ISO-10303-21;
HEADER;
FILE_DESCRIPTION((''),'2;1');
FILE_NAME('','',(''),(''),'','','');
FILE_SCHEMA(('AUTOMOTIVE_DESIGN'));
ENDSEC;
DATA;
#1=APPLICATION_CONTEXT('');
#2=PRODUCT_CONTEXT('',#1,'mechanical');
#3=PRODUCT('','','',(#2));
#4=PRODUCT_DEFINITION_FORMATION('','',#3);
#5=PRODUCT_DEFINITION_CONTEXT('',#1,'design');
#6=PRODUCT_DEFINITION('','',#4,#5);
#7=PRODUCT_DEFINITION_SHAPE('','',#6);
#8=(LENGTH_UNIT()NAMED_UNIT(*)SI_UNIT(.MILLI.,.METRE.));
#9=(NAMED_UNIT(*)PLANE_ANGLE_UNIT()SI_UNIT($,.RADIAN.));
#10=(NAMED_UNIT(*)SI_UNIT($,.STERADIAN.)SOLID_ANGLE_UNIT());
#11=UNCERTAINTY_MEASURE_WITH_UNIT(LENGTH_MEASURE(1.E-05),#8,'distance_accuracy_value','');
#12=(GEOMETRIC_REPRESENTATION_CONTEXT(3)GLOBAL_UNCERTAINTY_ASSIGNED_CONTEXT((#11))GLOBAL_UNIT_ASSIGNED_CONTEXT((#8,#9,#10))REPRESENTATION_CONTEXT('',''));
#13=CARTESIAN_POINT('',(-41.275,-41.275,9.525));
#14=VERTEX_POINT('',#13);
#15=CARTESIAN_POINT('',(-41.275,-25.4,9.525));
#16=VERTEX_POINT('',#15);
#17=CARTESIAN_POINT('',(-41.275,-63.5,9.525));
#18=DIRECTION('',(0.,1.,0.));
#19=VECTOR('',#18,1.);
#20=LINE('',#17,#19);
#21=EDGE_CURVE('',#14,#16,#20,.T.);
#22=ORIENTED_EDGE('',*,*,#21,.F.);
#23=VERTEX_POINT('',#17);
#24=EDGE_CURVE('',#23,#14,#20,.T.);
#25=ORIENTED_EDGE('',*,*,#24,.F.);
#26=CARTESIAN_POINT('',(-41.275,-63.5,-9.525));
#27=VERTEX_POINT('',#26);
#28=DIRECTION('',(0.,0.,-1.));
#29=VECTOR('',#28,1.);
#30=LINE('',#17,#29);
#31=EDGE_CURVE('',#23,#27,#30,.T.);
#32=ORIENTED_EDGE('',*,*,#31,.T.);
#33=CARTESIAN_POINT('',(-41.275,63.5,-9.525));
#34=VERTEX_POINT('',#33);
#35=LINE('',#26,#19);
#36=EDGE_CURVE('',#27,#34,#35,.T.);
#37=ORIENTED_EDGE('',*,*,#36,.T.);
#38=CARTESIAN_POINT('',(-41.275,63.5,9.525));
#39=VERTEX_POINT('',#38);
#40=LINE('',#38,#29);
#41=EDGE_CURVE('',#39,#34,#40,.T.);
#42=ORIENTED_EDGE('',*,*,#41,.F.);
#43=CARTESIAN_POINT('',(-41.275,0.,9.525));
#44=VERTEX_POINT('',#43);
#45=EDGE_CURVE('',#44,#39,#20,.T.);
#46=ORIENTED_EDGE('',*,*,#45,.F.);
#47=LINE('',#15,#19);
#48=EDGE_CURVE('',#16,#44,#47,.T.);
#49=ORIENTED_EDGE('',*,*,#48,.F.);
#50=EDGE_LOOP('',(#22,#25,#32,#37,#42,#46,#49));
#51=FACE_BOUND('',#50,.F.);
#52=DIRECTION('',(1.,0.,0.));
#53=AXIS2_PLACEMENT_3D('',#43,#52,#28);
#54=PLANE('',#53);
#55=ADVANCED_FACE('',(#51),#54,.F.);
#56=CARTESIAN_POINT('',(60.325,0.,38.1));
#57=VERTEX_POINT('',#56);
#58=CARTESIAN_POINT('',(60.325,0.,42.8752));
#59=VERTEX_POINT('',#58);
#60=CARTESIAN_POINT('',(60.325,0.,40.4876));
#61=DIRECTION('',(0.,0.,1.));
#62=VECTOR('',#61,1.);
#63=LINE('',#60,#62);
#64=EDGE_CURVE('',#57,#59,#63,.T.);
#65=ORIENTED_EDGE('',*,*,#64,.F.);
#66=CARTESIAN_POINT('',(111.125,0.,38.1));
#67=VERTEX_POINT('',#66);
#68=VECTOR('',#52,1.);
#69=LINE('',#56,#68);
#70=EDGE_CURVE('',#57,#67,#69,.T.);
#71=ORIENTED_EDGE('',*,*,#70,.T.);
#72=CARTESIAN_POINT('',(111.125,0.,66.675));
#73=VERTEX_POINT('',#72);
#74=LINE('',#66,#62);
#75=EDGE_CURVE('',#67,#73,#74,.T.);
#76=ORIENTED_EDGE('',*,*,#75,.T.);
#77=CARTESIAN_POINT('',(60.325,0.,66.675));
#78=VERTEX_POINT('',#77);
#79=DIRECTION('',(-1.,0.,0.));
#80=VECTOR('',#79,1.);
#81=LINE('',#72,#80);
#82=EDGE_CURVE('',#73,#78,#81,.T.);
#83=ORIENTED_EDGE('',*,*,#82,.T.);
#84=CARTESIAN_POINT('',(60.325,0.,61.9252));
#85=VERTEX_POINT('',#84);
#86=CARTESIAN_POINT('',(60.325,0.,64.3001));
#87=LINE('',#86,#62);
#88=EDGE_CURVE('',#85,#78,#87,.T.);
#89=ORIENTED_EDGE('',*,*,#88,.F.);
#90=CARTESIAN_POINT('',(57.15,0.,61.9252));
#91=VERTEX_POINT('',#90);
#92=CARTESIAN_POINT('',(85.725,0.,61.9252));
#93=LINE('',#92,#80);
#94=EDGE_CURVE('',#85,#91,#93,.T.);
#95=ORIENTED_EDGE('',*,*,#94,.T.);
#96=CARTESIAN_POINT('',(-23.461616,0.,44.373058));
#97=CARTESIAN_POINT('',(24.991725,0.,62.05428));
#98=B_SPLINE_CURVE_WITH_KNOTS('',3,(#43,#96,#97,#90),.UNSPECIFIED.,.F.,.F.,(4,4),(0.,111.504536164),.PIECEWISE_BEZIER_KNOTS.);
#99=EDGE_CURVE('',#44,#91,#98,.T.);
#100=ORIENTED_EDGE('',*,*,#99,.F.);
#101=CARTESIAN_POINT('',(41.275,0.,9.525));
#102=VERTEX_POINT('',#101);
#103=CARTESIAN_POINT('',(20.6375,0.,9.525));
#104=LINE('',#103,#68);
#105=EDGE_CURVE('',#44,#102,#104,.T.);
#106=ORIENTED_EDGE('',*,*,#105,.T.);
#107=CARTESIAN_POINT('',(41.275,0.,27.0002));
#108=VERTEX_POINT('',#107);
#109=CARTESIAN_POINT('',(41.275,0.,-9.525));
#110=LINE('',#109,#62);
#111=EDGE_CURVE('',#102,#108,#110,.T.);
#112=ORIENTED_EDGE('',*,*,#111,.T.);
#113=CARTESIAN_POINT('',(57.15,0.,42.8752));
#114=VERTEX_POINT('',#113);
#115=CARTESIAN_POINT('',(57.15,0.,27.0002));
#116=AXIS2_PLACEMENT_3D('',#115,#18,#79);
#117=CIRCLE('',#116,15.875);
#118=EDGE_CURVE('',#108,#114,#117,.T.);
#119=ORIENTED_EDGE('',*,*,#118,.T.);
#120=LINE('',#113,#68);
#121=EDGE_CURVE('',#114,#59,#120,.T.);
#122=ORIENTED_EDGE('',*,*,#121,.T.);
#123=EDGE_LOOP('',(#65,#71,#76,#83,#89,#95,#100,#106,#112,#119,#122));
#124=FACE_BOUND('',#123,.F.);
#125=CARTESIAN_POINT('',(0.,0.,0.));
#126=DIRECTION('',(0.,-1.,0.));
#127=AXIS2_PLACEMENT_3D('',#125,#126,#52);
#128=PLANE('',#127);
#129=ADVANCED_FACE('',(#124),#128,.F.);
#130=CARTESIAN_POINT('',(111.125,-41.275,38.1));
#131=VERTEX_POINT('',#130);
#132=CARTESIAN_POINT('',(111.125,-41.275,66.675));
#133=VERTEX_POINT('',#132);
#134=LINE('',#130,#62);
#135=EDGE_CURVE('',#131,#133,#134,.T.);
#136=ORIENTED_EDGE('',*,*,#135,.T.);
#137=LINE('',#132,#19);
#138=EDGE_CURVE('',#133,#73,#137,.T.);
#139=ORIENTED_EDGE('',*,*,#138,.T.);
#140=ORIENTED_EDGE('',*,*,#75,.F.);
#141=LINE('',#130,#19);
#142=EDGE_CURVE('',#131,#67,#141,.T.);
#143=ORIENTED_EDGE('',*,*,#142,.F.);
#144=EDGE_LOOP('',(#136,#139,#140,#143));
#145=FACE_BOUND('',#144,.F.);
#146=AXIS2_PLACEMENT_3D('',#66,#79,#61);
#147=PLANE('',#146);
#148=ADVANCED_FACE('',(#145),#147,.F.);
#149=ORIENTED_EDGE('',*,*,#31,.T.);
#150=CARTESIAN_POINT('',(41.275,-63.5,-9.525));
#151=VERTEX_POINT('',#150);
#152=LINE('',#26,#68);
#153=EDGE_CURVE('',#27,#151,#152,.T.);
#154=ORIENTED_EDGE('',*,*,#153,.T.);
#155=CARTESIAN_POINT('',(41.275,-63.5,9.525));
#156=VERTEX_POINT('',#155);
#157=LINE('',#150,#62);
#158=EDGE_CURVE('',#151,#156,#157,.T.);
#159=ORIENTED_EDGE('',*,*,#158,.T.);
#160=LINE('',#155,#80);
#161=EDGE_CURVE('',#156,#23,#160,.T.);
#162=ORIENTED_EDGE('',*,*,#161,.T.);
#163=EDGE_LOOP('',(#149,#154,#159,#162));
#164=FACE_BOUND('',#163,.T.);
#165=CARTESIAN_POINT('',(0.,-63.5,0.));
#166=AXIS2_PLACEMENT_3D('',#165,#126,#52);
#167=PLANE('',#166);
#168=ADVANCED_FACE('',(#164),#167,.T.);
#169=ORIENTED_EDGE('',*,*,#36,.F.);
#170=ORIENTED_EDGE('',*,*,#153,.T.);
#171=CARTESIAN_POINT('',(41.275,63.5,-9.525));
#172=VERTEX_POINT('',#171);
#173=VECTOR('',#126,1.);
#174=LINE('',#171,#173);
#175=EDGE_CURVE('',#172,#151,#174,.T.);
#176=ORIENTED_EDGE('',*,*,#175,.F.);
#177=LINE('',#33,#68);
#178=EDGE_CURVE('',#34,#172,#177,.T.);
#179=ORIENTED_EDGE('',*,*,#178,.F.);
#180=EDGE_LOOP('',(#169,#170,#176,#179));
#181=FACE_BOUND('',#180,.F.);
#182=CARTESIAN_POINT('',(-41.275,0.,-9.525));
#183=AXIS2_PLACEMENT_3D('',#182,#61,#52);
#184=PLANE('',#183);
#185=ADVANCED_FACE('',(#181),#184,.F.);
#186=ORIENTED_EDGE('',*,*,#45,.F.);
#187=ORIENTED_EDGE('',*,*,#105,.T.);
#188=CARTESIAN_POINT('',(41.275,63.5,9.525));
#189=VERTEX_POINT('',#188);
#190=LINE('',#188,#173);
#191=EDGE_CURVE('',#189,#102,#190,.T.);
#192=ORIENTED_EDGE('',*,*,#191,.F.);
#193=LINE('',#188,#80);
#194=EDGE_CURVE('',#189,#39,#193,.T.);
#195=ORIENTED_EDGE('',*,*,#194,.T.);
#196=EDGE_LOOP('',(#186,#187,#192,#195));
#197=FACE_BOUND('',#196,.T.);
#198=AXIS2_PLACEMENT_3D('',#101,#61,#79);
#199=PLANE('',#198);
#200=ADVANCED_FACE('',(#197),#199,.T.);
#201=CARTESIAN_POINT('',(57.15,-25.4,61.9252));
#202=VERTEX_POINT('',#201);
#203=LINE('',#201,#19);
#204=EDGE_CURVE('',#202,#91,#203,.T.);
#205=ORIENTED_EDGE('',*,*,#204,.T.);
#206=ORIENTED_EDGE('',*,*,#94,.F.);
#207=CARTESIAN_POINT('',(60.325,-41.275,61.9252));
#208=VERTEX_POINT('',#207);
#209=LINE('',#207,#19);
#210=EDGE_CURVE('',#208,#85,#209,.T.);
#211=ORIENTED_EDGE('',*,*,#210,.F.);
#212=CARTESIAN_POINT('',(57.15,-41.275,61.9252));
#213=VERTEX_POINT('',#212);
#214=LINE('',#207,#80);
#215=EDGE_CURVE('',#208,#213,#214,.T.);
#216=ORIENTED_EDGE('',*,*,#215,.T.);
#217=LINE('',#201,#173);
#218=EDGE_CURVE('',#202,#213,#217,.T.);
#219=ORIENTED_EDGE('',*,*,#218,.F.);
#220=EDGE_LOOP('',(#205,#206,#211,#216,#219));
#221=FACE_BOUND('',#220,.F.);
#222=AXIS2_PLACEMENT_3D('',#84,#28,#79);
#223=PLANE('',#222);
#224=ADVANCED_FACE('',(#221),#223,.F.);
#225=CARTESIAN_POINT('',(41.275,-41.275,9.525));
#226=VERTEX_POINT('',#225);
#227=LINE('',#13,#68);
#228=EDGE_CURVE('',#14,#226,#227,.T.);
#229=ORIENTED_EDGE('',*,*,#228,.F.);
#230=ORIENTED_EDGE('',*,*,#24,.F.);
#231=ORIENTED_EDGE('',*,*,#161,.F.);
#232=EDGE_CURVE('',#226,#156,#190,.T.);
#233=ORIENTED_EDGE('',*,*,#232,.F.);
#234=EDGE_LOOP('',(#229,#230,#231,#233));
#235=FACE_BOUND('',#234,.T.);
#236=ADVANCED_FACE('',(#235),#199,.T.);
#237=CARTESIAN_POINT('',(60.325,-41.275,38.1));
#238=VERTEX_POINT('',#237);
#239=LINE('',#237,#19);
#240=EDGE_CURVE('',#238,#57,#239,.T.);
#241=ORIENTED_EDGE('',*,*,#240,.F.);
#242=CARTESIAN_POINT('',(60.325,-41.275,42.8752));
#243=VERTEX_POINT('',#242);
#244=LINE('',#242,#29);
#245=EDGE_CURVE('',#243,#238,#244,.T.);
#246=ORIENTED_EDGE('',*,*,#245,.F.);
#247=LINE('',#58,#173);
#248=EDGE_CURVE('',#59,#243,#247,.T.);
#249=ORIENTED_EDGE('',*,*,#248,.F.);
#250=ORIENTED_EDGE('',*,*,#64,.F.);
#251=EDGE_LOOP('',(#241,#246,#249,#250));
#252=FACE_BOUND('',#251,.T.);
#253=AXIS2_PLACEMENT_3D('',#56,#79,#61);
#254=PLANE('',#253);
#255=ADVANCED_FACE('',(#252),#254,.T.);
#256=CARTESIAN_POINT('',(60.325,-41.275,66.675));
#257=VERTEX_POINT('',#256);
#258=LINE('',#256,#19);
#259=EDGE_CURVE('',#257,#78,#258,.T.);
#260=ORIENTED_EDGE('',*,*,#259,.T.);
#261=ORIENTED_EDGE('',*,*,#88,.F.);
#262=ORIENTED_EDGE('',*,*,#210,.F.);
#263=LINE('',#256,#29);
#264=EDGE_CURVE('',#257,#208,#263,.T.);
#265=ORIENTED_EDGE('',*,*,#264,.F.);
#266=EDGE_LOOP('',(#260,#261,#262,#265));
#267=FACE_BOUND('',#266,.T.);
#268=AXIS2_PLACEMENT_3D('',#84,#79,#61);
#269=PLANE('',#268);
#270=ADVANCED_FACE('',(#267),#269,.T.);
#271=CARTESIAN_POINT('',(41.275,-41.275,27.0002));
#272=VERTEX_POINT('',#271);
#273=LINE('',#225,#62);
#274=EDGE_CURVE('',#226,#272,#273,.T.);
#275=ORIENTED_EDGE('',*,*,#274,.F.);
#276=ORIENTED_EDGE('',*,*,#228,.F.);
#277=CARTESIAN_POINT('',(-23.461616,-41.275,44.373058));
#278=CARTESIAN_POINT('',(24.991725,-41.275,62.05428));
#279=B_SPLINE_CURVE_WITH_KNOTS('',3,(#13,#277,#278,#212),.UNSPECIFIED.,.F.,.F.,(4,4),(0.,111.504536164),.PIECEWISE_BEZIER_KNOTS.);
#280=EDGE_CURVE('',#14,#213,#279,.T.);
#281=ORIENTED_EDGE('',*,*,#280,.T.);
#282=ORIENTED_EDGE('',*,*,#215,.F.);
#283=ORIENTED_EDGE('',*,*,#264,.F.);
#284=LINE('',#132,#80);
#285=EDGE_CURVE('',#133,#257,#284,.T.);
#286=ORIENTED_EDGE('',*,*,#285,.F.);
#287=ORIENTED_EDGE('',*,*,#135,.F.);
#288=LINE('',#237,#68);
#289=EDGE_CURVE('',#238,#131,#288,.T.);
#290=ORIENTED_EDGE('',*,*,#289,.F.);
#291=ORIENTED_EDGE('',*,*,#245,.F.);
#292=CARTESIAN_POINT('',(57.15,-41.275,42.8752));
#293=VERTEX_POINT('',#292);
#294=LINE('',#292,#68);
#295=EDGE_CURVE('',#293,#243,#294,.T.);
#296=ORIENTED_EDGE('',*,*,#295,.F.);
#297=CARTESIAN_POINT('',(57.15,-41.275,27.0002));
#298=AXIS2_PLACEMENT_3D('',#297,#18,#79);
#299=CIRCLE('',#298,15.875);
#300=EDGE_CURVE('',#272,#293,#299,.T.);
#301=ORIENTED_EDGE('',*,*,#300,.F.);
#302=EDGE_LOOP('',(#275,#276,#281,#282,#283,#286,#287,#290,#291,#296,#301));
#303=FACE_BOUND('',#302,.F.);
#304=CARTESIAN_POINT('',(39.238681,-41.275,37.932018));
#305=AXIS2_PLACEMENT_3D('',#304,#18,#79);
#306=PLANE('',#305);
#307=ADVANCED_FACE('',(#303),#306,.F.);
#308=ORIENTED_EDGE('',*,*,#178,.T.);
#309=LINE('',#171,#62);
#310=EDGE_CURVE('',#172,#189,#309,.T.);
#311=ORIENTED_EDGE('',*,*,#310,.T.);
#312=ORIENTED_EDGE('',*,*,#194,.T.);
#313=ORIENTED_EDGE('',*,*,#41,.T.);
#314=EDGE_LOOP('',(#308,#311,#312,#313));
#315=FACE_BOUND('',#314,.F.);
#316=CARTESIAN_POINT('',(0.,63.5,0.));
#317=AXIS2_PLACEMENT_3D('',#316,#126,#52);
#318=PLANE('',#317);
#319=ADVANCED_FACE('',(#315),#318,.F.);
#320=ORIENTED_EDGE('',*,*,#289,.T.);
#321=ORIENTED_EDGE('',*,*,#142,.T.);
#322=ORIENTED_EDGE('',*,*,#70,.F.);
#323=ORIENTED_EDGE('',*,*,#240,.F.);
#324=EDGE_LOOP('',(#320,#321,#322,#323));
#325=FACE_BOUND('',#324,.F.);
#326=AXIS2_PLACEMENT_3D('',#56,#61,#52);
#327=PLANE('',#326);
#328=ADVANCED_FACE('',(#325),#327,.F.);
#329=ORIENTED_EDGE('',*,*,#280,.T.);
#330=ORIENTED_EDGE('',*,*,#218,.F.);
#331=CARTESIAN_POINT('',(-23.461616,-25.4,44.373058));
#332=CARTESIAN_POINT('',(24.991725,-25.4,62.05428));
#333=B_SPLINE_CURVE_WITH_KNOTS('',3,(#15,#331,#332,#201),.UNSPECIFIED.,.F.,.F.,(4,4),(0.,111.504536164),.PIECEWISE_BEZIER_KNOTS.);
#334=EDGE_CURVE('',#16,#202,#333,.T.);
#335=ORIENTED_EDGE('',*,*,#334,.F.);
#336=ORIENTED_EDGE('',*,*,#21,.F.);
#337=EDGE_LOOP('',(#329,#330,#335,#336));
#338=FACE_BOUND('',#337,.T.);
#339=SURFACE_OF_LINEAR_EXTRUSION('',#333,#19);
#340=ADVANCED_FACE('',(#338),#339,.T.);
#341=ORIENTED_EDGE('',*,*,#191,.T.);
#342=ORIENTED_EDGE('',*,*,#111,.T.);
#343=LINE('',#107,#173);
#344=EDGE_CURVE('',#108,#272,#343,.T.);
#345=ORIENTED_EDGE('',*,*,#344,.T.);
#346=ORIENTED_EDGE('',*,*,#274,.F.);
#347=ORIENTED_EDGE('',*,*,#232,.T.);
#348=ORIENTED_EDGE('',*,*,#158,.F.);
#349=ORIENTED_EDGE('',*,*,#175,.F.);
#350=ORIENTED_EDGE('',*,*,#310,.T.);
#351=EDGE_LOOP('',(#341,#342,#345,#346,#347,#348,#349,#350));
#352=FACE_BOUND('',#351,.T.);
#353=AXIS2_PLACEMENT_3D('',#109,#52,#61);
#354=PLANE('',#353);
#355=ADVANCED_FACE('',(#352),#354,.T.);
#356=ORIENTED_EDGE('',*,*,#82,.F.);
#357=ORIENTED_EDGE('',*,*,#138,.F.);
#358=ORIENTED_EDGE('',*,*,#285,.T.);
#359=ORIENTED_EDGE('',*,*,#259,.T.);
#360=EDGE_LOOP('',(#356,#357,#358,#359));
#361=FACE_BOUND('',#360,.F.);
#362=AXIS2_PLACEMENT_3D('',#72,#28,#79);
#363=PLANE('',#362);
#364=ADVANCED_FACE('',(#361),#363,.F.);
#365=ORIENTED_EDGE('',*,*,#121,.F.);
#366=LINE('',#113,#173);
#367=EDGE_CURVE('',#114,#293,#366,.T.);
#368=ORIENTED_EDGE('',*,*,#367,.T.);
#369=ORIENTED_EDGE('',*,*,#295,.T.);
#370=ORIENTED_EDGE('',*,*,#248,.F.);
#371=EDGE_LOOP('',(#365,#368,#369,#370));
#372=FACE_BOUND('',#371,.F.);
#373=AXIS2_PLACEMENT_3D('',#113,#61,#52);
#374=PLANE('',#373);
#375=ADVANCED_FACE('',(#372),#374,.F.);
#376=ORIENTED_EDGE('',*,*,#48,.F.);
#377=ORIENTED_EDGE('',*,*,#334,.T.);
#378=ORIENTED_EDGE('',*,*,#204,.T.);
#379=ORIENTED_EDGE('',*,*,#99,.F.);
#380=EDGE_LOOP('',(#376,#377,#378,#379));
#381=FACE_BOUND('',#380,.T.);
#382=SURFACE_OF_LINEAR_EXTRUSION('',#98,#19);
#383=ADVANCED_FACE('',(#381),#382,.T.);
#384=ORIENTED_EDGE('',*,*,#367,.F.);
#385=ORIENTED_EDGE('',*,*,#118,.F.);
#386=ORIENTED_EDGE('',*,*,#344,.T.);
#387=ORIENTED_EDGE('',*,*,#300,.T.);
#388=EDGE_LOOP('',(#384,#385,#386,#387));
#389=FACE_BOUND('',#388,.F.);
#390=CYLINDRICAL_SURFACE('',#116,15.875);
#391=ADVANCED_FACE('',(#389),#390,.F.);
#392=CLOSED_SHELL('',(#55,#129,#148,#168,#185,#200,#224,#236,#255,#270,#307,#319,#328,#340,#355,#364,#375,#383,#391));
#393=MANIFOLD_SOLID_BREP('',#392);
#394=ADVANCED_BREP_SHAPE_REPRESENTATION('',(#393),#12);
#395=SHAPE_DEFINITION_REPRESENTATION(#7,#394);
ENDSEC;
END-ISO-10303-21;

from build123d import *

# Parameters (mm, degrees)
F1_DEPTH = 63.5
F0_W     = 25.4
F0_H     = 19.05
F0_H_2   = 4.7498
F0_H_3   = 4.7752
F2_DEPTH = 25.4
F3_DEPTH = 15.875


with BuildPart() as f1:
    # F0 (on Front) → F1 (new body, symmetric)
    with BuildSketch(Plane.XZ):
        Polygon((-41.275, -9.525), (41.275, -9.525), (41.275, 9.525), (22.225, 9.525), (-41.275, 9.525), align=None)
    extrude(amount=F1_DEPTH, both=True)

    # F0 (on Front) → F2 (join)
    with BuildSketch(Plane.XZ):
        Polygon((-41.275, -9.525), (41.275, -9.525), (41.275, 9.525), (22.225, 9.525), (-41.275, 9.525), align=None)
        with BuildLine():
            Line((22.225, 9.525), (41.275, 9.525))
            Line((41.275, 9.525), (41.275, 27.0002))
            ThreePointArc((41.275, 27.0002), (45.9246798487, 38.2255201513), (57.15, 42.8752))
            Line((57.15, 42.8752), (60.325, 42.8752))
            Line((60.325, 42.8752), (60.325, 61.9252))
            Line((60.325, 61.9252), (57.15, 61.9252))
            ThreePointArc((57.15, 61.9252), (32.4542956671, 51.6959043329), (22.225, 27.0002))
            Line((22.225, 27.0002), (22.225, 9.525))
        make_face()
        with BuildLine():
            add(Edge.make_bspline(
                [(-41.275, 9.525), (-23.4616156667, 44.3730577827), (24.9917246401, 62.0542801917), (57.15, 61.9252)],
                knots=[0, 0, 0, 0, 111.5045361635, 111.5045361635, 111.5045361635, 111.5045361635], degree=3))
            Line((-41.275, 9.525), (22.225, 9.525))
            Line((22.225, 9.525), (22.225, 27.0002))
            ThreePointArc((22.225, 27.0002), (32.4542956671, 51.6959043329), (57.15, 61.9252))
        make_face()
        with Locations((73.025, 52.4002)):
            Rectangle(F0_W, F0_H)
        with Locations((73.025, 64.3001)):
            Rectangle(F0_W, F0_H_2)
        with Locations((73.025, 40.4876)):
            Rectangle(F0_W, F0_H_3)
        Polygon((85.725, 66.675), (85.725, 61.9252), (85.725, 42.8752), (85.725, 38.1), (111.125, 38.1), (111.125, 66.675), align=None)
    extrude(amount=F2_DEPTH)

    # F0 (on Front) + F2_face (on face) → F3 (join)
    with BuildSketch(Plane.XZ):
        Polygon((-41.275, -9.525), (41.275, -9.525), (41.275, 9.525), (22.225, 9.525), (-41.275, 9.525), align=None)
        with BuildLine():
            Line((22.225, 9.525), (41.275, 9.525))
            Line((41.275, 9.525), (41.275, 27.0002))
            ThreePointArc((41.275, 27.0002), (45.9246798487, 38.2255201513), (57.15, 42.8752))
            Line((57.15, 42.8752), (60.325, 42.8752))
            Line((60.325, 42.8752), (60.325, 61.9252))
            Line((60.325, 61.9252), (57.15, 61.9252))
            ThreePointArc((57.15, 61.9252), (32.4542956671, 51.6959043329), (22.225, 27.0002))
            Line((22.225, 27.0002), (22.225, 9.525))
        make_face()
        with BuildLine():
            add(Edge.make_bspline(
                [(-41.275, 9.525), (-23.4616156667, 44.3730577827), (24.9917246401, 62.0542801917), (57.15, 61.9252)],
                knots=[0, 0, 0, 0, 111.5045361635, 111.5045361635, 111.5045361635, 111.5045361635], degree=3))
            Line((-41.275, 9.525), (22.225, 9.525))
            Line((22.225, 9.525), (22.225, 27.0002))
            ThreePointArc((22.225, 27.0002), (32.4542956671, 51.6959043329), (57.15, 61.9252))
        make_face()
        with Locations((73.025, 52.4002)):
            Rectangle(F0_W, F0_H)
        with Locations((73.025, 64.3001)):
            Rectangle(F0_W, F0_H_2)
        with Locations((73.025, 40.4876)):
            Rectangle(F0_W, F0_H_3)
        Polygon((85.725, 66.675), (85.725, 61.9252), (85.725, 42.8752), (85.725, 38.1), (111.125, 38.1), (111.125, 66.675), align=None)
    with BuildSketch(Plane(origin=(36.4198277408, -25.4, 38.4190839989), x_dir=(1, 0, 0), z_dir=(0, -1, 0))):
        with BuildLine():
            add(Edge.make_bspline(
                [(-77.6948277408, -28.8940839989), (-59.8814434075, 5.9539737837), (-11.4281031006, 23.6351961927), (20.7301722592, 23.5061160011)],
                knots=[0, 0, 0, 0, 111.5045361635, 111.5045361635, 111.5045361635, 111.5045361635], degree=3))
            Line((-77.6948277408, -28.8940839989), (4.8551722592, -28.8940839989))
            Line((4.8551722592, -28.8940839989), (4.8551722592, -11.4188839989))
            ThreePointArc((4.8551722592, -11.4188839989), (9.5048521079, -0.1935638476), (20.7301722592, 4.4561160011))
            Line((20.7301722592, 4.4561160011), (23.9051722592, 4.4561160011))
            Line((23.9051722592, 4.4561160011), (23.9051722592, -0.3190839989))
            Line((23.9051722592, -0.3190839989), (74.7051722592, -0.3190839989))
            Line((74.7051722592, -0.3190839989), (74.7051722592, 28.2559160011))
            Line((74.7051722592, 28.2559160011), (23.9051722592, 28.2559160011))
            Line((23.9051722592, 28.2559160011), (23.9051722592, 23.5061160011))
            Line((23.9051722592, 23.5061160011), (20.7301722592, 23.5061160011))
        make_face()
    extrude(amount=F3_DEPTH)


solid = f1.part
